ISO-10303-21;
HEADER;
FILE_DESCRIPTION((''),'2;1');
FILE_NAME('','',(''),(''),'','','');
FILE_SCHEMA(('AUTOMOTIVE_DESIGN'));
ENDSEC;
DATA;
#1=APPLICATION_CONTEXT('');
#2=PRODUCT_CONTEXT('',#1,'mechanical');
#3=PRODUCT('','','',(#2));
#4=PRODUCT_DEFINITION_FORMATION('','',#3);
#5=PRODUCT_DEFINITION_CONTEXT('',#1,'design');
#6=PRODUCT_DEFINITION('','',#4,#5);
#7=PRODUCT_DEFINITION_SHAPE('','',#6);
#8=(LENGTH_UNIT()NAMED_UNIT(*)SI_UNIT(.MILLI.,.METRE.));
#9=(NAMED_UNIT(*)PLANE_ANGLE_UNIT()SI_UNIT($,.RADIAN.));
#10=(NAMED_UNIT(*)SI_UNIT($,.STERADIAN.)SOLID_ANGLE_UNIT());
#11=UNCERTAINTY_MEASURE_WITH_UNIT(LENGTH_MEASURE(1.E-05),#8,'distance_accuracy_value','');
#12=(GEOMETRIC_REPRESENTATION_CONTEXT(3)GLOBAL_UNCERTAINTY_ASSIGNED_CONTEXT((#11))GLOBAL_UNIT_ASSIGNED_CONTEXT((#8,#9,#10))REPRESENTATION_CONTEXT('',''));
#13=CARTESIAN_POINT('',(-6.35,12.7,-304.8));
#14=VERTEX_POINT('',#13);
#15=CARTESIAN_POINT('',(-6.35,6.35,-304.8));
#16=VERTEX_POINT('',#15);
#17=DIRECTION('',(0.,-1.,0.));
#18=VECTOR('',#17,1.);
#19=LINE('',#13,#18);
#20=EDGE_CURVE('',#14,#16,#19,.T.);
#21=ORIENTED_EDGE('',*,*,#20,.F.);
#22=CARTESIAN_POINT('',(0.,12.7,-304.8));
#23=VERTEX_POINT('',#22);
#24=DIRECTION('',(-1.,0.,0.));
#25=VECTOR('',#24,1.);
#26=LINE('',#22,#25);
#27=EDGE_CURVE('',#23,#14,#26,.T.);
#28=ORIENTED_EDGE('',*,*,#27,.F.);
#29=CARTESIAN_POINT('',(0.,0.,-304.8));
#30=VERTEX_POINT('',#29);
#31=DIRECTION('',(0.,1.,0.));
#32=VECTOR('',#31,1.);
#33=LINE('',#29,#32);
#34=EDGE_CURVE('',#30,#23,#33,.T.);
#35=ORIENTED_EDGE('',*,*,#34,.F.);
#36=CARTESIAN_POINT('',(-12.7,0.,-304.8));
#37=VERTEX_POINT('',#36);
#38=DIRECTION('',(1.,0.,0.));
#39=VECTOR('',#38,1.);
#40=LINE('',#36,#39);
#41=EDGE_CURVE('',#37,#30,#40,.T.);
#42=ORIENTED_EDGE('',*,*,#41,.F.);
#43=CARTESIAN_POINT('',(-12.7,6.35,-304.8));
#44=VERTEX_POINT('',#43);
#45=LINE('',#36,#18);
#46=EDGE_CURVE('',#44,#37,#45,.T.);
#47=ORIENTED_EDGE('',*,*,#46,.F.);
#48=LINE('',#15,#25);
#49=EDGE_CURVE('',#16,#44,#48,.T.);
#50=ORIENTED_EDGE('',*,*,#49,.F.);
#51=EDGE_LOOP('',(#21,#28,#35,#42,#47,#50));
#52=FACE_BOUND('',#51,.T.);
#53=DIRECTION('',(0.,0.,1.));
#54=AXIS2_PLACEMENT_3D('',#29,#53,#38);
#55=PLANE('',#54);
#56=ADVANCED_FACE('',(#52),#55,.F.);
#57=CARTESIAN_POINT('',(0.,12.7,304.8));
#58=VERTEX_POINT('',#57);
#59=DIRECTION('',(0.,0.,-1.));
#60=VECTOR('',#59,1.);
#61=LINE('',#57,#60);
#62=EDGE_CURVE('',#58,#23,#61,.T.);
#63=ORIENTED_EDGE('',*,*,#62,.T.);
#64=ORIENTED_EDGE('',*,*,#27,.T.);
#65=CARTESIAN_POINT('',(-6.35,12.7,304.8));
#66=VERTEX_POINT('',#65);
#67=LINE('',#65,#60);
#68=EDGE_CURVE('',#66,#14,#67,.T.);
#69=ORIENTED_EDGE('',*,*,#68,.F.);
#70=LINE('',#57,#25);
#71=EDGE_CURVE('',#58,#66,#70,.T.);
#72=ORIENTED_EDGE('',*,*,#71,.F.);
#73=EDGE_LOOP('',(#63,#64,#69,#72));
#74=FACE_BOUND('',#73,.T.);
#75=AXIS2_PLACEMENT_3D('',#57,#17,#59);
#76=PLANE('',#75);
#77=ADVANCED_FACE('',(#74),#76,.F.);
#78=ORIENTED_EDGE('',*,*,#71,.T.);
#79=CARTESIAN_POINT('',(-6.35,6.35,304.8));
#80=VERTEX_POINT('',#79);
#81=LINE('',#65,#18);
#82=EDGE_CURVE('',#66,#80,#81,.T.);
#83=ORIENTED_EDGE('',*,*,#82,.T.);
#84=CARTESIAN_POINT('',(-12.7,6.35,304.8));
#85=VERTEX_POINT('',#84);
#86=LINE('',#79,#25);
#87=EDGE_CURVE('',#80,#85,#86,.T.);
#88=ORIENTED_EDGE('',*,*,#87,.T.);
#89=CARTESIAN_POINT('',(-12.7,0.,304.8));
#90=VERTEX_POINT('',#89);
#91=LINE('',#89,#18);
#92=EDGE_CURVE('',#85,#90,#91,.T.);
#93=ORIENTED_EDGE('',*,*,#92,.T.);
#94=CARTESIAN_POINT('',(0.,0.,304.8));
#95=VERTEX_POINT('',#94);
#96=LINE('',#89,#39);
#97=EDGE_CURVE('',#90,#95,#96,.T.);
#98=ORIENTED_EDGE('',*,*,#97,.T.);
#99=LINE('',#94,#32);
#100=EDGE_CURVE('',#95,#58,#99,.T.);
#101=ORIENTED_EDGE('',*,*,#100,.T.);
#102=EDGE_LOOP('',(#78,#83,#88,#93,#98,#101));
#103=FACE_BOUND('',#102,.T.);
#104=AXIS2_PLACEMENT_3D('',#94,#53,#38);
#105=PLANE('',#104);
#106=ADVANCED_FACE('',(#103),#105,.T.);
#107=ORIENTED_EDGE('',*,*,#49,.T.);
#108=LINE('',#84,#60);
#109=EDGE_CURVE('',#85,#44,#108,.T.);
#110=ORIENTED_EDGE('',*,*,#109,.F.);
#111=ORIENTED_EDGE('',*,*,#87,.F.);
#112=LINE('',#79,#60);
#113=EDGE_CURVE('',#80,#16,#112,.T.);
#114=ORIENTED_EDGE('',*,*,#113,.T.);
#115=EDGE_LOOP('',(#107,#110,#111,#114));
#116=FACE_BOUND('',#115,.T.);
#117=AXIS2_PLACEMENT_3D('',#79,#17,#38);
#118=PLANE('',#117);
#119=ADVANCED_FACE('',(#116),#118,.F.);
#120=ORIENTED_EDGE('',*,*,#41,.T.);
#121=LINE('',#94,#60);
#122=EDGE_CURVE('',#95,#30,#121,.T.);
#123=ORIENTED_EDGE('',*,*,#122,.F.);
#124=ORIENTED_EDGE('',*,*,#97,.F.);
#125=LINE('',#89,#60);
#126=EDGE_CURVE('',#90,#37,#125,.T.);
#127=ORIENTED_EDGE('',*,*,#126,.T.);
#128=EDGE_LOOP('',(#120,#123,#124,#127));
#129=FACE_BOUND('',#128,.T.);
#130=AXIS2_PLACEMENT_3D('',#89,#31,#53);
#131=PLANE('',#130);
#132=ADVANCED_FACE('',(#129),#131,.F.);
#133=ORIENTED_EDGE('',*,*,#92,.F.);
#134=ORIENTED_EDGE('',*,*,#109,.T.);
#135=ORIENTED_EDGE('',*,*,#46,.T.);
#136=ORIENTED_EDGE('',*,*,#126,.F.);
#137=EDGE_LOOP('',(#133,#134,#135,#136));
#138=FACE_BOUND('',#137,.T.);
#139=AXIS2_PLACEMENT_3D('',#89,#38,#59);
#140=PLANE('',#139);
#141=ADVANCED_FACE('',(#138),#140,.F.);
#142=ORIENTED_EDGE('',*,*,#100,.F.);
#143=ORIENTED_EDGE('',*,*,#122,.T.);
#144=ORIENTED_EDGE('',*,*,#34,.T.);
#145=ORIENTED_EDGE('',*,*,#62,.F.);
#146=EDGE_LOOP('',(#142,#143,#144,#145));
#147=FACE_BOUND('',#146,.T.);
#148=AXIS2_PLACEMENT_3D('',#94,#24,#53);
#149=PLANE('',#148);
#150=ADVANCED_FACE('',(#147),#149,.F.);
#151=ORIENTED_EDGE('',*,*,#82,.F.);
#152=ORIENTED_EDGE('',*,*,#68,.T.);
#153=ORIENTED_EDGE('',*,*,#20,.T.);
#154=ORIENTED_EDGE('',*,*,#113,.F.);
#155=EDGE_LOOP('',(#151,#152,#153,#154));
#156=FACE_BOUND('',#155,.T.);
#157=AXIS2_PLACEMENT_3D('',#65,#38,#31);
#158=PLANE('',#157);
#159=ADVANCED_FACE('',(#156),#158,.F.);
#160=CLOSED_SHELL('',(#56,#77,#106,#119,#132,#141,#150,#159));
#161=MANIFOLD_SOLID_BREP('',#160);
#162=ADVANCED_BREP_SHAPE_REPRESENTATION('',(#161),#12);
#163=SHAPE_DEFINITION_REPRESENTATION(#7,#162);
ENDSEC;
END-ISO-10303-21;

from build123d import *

# Parameters (mm, degrees)
BOSS_EXTRUDE1_DEPTH      = 304.8
BOSS_EXTRUDE1_DEPTH_BACK = 304.8


with BuildPart() as part:
    # Sketch3 → Boss-Extrude1 (new, two sides: drawn at the far end of the back side and taken through both)
    with BuildSketch(Plane.XY.offset(-BOSS_EXTRUDE1_DEPTH_BACK)):
        Polygon((-12.7, 0), (0, 0), (0, 12.7), (-6.35, 12.7), (-6.35, 6.35), (-12.7, 6.35), align=None)
    extrude(amount=BOSS_EXTRUDE1_DEPTH + BOSS_EXTRUDE1_DEPTH_BACK)


solid = part.part
